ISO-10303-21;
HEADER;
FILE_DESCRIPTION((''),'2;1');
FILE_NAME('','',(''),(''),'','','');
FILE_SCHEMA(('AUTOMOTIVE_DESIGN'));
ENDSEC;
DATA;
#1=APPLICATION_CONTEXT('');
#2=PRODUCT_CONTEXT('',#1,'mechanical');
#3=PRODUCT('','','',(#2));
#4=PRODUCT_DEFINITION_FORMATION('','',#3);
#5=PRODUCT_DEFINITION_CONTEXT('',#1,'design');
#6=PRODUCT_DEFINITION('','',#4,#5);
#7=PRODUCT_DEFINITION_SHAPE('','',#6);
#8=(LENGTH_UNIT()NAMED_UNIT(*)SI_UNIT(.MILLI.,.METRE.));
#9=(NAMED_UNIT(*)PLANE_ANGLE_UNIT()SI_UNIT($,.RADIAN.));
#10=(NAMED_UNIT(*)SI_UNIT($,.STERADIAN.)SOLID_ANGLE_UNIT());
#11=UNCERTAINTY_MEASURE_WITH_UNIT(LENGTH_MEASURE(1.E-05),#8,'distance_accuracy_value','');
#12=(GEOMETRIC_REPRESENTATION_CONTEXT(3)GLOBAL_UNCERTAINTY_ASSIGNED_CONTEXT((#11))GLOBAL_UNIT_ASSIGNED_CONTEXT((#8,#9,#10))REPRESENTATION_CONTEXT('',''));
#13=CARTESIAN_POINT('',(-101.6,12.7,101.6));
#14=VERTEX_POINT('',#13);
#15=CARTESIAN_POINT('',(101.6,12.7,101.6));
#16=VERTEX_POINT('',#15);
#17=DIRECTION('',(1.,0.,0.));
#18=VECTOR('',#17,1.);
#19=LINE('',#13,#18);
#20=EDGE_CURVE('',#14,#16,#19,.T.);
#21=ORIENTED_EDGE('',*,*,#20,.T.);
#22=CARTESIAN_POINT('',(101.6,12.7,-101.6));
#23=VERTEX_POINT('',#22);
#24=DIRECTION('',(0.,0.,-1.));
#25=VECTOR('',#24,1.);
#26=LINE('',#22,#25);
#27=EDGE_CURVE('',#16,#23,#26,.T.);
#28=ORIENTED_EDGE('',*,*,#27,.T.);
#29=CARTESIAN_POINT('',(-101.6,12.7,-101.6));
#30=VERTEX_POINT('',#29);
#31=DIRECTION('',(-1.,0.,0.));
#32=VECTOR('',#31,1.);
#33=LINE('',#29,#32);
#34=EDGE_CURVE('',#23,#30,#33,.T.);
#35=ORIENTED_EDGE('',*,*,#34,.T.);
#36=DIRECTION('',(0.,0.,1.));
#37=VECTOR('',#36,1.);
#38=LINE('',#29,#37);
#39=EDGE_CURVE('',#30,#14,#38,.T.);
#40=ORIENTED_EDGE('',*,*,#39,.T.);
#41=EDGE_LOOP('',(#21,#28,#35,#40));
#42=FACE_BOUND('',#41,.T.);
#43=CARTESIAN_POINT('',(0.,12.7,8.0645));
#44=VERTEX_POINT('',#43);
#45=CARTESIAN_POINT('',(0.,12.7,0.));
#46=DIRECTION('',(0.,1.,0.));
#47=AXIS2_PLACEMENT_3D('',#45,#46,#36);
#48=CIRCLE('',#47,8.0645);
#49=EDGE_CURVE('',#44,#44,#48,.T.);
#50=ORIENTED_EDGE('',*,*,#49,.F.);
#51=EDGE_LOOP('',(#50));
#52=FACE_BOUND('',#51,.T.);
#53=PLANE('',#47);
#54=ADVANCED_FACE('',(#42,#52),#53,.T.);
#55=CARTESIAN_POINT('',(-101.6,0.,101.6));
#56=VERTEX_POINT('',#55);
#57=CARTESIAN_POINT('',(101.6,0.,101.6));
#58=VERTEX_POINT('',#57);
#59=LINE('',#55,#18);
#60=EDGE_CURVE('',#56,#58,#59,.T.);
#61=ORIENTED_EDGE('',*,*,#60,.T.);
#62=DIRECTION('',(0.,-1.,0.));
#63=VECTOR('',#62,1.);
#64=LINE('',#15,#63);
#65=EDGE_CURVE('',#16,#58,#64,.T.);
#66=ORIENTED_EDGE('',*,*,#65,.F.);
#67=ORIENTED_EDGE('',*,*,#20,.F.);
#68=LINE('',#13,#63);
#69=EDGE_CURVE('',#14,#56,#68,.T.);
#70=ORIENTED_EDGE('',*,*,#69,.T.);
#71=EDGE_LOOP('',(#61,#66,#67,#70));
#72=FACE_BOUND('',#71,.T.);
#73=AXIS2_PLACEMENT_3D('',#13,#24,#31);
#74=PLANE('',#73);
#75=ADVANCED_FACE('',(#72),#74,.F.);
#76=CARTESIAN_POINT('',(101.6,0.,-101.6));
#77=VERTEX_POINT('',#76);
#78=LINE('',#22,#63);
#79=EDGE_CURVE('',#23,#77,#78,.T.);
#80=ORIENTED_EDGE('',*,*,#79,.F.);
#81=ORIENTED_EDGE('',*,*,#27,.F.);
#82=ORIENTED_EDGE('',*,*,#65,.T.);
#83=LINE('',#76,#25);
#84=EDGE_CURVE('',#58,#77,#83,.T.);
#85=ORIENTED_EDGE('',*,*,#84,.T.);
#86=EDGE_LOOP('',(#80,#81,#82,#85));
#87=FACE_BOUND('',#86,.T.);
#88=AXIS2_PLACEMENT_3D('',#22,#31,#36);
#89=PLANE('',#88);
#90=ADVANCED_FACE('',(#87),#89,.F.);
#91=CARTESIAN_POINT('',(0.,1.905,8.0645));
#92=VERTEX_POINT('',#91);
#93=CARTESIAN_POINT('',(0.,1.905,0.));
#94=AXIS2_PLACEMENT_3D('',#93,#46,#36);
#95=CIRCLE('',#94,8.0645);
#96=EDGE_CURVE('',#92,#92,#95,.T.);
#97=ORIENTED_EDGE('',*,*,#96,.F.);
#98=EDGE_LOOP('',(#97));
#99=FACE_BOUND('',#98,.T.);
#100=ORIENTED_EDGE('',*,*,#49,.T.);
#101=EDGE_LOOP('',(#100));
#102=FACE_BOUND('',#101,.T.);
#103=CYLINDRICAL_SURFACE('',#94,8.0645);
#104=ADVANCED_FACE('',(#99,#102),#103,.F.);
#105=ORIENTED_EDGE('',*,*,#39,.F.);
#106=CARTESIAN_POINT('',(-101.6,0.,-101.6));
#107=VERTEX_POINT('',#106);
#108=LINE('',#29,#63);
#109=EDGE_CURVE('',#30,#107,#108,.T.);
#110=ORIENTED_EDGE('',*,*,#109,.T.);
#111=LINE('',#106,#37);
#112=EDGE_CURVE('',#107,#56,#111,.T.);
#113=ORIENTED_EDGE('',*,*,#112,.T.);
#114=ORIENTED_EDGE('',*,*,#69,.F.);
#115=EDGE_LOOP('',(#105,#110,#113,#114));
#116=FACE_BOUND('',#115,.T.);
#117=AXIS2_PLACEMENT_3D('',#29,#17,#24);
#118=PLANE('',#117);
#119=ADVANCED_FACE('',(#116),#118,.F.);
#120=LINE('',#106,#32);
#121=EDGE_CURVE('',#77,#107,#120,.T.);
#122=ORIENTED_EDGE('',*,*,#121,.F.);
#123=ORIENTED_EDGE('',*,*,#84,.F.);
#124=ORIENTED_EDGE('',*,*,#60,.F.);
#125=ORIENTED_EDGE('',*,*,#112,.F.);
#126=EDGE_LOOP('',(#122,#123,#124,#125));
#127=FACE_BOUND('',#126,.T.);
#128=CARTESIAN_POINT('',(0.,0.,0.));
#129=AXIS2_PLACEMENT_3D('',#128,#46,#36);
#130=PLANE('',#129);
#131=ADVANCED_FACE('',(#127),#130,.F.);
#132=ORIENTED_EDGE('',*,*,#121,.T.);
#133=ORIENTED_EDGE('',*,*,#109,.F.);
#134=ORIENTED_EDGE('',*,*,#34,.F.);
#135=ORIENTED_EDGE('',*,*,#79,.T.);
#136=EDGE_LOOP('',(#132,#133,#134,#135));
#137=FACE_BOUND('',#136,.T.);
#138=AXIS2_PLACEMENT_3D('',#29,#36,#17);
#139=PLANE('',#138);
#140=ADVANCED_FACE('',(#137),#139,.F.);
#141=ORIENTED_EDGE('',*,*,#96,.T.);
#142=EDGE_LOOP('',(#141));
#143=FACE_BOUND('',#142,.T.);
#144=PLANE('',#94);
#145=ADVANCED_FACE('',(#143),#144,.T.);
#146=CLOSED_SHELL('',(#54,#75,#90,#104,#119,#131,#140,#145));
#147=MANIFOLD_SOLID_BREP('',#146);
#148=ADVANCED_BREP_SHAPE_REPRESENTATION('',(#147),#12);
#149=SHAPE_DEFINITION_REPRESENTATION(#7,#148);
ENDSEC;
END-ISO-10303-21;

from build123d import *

# Parameters (mm, degrees)
SKETCH1_W           = 203.2
SKETCH1_H           = 203.2
BOSS_EXTRUDE1_DEPTH = 12.7
SKETCH2_R           = 8.0645
CUT_EXTRUDE1_DEPTH  = 10.795


with BuildPart() as part:
    # Sketch1 → Boss-Extrude1 (new body)
    with BuildSketch(Plane(origin=(0, 0, 0), x_dir=(1, 0, 0), z_dir=(0, 1, 0))):
        Rectangle(SKETCH1_W, SKETCH1_H)
    extrude(amount=BOSS_EXTRUDE1_DEPTH)

    # Sketch2 → Cut-Extrude1 (cut)
    with BuildSketch(Plane(origin=(0, 12.7, 0), x_dir=(1, 0, 0), z_dir=(0, 1, 0))):
        Circle(SKETCH2_R)
    extrude(amount=-CUT_EXTRUDE1_DEPTH, mode=Mode.SUBTRACT)


solid = part.part
